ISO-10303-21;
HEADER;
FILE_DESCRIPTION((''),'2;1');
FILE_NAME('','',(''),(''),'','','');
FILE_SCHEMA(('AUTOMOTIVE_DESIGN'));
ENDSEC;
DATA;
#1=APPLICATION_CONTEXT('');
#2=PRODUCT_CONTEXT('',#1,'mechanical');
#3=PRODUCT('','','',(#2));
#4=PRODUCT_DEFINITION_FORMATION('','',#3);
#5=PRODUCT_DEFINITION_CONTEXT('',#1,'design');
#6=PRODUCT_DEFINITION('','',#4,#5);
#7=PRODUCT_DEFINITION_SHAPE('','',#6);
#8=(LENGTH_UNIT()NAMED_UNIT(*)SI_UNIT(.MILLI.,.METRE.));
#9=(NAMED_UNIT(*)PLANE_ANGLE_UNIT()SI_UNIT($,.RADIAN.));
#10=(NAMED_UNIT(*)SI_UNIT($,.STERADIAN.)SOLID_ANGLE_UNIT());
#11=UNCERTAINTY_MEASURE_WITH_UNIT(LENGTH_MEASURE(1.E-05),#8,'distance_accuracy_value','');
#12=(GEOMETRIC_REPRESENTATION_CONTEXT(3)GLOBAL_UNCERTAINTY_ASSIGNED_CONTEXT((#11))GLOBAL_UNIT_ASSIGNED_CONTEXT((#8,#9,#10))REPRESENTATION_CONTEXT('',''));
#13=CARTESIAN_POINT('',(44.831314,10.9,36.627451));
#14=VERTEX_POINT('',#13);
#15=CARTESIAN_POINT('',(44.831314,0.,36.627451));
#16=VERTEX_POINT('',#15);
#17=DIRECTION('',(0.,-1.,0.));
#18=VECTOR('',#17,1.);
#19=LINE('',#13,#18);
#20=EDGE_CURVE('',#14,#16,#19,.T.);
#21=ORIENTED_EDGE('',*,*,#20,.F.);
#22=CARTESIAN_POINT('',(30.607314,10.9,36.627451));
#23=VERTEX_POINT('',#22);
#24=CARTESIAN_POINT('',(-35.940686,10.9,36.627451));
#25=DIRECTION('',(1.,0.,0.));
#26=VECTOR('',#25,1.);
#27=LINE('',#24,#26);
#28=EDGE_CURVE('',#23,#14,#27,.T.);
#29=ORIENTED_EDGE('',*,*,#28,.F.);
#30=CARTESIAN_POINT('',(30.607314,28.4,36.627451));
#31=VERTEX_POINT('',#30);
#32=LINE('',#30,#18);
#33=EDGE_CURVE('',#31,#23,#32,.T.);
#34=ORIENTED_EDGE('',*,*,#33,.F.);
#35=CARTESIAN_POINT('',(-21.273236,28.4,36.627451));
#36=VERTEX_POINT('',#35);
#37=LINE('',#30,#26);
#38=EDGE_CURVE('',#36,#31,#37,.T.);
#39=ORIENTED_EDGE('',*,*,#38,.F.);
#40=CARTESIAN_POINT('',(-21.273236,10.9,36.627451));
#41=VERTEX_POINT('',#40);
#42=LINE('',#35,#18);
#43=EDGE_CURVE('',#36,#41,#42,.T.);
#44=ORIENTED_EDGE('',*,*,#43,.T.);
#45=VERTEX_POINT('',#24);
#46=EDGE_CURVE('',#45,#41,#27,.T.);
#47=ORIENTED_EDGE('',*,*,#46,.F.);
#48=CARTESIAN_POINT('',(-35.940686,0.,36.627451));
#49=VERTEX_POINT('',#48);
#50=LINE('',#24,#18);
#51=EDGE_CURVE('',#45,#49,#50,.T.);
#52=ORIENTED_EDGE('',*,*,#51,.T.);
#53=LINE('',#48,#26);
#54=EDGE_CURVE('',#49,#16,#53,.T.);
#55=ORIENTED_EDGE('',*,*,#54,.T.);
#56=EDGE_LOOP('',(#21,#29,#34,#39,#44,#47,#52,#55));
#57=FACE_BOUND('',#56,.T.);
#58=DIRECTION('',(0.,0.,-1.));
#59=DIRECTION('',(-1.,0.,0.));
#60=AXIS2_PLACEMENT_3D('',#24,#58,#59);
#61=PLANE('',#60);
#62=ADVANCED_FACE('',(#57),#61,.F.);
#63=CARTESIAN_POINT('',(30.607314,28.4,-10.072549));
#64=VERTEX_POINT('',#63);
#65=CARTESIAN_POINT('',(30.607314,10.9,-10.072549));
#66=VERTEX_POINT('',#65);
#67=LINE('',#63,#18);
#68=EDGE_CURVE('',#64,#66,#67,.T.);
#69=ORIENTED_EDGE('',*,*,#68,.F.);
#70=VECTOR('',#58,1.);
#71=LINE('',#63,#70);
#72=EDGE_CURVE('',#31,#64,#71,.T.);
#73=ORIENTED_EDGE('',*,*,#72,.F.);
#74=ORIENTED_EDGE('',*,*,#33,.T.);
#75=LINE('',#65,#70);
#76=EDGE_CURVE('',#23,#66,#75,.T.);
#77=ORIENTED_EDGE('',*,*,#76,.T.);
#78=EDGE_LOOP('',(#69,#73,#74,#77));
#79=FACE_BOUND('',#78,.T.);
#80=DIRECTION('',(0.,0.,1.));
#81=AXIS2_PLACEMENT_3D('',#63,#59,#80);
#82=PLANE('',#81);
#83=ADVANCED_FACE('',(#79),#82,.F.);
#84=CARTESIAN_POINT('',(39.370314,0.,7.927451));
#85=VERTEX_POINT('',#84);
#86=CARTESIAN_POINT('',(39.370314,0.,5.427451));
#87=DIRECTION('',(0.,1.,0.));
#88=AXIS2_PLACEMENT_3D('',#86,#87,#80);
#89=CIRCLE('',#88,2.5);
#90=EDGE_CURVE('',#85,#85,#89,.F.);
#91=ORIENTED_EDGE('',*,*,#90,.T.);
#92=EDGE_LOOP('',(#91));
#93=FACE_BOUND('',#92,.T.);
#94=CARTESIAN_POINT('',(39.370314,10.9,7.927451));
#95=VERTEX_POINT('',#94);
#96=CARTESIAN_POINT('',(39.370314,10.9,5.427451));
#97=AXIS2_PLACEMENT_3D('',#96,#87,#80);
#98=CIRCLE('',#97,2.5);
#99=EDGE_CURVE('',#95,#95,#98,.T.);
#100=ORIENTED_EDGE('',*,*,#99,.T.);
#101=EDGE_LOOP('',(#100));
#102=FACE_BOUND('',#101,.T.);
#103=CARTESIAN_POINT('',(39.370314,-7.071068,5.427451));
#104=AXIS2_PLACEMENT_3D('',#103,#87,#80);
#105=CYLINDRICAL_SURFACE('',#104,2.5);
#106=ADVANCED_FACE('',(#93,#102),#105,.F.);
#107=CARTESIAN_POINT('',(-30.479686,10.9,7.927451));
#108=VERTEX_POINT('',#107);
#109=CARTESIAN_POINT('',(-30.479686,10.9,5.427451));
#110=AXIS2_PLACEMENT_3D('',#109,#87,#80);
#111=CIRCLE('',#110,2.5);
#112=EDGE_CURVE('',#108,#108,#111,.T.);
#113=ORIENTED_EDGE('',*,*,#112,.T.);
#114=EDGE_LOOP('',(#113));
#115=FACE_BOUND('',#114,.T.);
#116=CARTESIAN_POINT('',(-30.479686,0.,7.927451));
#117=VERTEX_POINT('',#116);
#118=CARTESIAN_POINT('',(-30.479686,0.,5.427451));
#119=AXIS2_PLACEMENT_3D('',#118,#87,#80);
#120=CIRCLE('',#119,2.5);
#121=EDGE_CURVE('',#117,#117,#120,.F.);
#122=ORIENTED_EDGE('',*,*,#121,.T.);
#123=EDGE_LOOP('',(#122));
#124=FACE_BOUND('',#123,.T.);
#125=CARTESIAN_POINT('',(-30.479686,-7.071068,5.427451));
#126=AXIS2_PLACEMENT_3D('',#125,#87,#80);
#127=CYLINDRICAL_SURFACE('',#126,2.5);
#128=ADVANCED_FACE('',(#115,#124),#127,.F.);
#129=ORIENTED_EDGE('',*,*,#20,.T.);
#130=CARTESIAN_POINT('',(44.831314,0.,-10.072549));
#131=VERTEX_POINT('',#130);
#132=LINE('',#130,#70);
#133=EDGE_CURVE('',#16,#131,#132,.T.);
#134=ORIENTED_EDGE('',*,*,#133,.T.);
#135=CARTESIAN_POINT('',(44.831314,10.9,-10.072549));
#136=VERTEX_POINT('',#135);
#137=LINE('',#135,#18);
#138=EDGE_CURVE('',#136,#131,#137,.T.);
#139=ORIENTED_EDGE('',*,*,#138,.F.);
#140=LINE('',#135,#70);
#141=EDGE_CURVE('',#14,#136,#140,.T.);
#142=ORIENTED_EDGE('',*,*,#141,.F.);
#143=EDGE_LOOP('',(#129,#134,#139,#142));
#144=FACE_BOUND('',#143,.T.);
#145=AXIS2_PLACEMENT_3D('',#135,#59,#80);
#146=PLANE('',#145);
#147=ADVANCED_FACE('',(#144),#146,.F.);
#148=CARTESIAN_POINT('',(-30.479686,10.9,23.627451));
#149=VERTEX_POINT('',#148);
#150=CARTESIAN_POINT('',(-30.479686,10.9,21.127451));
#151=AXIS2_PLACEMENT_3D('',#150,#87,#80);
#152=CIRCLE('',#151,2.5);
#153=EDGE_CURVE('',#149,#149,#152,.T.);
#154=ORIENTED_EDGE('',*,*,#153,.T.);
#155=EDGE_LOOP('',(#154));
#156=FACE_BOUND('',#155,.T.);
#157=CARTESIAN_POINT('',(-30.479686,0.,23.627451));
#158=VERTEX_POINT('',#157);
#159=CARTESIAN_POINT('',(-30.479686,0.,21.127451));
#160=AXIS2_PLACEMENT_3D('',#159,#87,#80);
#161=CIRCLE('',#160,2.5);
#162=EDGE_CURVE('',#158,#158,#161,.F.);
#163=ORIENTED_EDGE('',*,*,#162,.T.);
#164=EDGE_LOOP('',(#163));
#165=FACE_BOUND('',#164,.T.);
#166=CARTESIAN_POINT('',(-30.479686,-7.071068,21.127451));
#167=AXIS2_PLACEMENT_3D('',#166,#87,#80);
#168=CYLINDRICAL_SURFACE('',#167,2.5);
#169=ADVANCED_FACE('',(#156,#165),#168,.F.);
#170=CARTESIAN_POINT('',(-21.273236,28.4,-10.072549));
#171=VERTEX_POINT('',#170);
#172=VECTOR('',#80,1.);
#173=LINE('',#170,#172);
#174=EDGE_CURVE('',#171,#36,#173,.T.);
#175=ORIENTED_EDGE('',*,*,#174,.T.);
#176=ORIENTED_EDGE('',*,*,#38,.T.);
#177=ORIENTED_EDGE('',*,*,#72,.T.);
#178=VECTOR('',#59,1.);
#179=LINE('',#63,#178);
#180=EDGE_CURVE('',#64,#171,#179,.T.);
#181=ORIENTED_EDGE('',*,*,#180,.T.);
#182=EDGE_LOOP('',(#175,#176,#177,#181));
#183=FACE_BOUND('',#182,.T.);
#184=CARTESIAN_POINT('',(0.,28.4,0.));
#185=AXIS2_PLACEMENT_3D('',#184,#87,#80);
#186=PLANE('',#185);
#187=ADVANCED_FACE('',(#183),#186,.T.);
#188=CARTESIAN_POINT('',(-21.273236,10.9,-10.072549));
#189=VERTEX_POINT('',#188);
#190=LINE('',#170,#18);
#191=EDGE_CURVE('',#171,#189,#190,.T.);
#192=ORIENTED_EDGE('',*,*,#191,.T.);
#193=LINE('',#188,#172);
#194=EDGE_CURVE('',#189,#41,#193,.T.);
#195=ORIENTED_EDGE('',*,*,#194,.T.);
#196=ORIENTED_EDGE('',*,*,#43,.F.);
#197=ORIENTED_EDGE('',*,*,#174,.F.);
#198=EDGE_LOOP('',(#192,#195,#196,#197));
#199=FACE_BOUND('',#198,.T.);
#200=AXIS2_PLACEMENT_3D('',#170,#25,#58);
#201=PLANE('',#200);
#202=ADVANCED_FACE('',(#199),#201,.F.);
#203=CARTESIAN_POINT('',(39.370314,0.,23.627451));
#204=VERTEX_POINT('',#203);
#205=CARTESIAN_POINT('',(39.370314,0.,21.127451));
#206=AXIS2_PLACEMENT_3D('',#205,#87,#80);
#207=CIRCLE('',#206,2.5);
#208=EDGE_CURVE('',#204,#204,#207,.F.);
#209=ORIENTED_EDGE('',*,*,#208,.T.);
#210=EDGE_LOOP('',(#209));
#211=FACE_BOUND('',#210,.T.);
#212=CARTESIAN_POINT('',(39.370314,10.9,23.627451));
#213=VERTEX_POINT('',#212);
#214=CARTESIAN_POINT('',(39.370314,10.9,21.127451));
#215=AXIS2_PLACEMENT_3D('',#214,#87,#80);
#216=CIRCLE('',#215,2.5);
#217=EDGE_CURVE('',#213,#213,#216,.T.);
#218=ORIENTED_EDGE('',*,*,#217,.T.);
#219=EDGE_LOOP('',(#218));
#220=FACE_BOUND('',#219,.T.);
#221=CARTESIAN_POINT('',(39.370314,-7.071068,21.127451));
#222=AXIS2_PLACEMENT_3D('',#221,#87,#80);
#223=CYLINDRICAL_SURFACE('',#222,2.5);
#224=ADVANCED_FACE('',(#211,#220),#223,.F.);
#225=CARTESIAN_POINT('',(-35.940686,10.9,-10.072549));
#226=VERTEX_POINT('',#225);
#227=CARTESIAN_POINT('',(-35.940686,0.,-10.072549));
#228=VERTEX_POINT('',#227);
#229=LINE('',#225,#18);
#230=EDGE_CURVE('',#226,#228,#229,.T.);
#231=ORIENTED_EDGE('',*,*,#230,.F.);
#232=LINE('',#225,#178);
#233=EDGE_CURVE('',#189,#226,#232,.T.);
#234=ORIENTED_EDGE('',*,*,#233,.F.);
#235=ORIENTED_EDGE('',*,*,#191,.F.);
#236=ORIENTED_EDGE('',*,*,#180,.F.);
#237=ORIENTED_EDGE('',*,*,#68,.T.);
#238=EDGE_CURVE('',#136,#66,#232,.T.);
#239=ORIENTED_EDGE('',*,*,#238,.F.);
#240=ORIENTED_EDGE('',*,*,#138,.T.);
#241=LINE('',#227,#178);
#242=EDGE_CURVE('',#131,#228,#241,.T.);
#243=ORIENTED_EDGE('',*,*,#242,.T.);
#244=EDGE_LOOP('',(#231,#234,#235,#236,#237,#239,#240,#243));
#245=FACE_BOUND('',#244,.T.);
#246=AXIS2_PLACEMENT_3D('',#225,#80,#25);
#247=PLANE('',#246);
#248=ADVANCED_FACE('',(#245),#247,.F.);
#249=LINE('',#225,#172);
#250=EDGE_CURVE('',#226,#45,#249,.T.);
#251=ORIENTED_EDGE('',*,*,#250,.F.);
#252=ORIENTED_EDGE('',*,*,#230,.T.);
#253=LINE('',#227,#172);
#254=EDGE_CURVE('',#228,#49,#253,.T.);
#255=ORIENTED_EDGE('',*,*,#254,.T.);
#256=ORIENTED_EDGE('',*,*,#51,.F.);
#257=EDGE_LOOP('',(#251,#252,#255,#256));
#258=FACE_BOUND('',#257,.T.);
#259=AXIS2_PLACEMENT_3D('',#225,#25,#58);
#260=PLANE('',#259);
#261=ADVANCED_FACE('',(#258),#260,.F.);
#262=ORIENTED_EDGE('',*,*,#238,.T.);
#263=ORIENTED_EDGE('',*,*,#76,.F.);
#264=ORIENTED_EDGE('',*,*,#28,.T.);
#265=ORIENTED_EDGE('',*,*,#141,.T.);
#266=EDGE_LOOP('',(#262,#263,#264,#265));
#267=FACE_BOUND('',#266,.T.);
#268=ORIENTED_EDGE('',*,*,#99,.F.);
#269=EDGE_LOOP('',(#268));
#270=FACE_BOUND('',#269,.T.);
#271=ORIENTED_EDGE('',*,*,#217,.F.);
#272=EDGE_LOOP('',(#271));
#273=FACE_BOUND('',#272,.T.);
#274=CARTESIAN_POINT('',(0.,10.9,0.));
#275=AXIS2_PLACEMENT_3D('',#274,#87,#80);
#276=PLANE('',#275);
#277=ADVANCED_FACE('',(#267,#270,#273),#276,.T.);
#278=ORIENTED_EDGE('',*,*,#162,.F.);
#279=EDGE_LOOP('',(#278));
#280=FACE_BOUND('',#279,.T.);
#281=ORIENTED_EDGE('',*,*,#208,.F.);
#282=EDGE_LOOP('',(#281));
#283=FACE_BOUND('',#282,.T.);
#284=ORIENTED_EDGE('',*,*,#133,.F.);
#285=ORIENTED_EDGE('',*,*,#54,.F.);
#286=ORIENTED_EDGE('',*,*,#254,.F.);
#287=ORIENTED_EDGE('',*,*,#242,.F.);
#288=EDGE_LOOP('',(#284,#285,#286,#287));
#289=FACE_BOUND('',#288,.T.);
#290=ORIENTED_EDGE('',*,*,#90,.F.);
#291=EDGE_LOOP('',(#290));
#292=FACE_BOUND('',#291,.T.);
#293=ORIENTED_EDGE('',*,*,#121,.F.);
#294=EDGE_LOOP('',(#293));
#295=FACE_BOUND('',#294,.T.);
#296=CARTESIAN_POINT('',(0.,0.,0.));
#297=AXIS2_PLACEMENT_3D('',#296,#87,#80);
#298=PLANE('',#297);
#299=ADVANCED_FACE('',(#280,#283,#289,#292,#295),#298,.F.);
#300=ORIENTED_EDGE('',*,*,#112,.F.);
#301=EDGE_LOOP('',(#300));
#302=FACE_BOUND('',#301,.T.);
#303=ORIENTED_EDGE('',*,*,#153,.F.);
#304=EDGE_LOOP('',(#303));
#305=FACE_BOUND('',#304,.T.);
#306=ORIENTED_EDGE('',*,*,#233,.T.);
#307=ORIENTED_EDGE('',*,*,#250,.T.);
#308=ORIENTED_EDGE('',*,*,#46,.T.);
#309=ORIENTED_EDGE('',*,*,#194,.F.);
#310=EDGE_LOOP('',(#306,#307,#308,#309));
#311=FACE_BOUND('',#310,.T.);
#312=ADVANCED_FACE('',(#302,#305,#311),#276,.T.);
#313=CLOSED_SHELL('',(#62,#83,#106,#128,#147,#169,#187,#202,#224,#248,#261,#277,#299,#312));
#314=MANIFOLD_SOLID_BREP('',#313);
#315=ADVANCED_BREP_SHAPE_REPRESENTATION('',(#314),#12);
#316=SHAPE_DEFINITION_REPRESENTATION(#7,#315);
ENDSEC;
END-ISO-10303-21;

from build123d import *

# Parameters (mm, degrees)
SKETCH1_W           = 80.772
SKETCH1_H           = 46.7
BOSS_EXTRUDE1_DEPTH = 10.9
SKETCH3_R           = 2.5
CUT_EXTRUDE1_DEPTH  = 10.9
SKETCH8_W           = 51.8805497
SKETCH8_H           = 46.7
BOSS_EXTRUDE2_DEPTH = 17.5


with BuildPart() as part:
    # Sketch1 → Boss-Extrude1 (new body)
    with BuildSketch(Plane(origin=(0, 0, 0), x_dir=(1, 0, 0), z_dir=(0, 1, 0))):
        with Locations((4.445313725, -13.27745098)):
            Rectangle(SKETCH1_W, SKETCH1_H)
    extrude(amount=BOSS_EXTRUDE1_DEPTH)

    # Sketch3 → Cut-Extrude1 (cut)
    with BuildSketch(Plane(origin=(0, 10.9, 0), x_dir=(1, 0, 0), z_dir=(0, 1, 0))):
        with Locations(Location((-30.479686275, -5.42745098, 0), (0, 0, 270))):
            Circle(SKETCH3_R)
        with Locations(Location((-30.479686275, -21.12745098, 0), (0, 0, 270))):
            Circle(SKETCH3_R)
        with Locations(Location((39.370313725, -5.42745098, 0), (0, 0, 270))):
            Circle(SKETCH3_R)
        with Locations(Location((39.370313725, -21.12745098, 0), (0, 0, 270))):
            Circle(SKETCH3_R)
    extrude(amount=-CUT_EXTRUDE1_DEPTH, mode=Mode.SUBTRACT)

    # Sketch8 → Boss-Extrude2 (add)
    with BuildSketch(Plane(origin=(0, 10.9, 0), x_dir=(1, 0, 0), z_dir=(0, 1, 0))):
        with Locations((4.667038875, -13.27745098)):
            Rectangle(SKETCH8_W, SKETCH8_H)
    extrude(amount=BOSS_EXTRUDE2_DEPTH)


solid = part.part
